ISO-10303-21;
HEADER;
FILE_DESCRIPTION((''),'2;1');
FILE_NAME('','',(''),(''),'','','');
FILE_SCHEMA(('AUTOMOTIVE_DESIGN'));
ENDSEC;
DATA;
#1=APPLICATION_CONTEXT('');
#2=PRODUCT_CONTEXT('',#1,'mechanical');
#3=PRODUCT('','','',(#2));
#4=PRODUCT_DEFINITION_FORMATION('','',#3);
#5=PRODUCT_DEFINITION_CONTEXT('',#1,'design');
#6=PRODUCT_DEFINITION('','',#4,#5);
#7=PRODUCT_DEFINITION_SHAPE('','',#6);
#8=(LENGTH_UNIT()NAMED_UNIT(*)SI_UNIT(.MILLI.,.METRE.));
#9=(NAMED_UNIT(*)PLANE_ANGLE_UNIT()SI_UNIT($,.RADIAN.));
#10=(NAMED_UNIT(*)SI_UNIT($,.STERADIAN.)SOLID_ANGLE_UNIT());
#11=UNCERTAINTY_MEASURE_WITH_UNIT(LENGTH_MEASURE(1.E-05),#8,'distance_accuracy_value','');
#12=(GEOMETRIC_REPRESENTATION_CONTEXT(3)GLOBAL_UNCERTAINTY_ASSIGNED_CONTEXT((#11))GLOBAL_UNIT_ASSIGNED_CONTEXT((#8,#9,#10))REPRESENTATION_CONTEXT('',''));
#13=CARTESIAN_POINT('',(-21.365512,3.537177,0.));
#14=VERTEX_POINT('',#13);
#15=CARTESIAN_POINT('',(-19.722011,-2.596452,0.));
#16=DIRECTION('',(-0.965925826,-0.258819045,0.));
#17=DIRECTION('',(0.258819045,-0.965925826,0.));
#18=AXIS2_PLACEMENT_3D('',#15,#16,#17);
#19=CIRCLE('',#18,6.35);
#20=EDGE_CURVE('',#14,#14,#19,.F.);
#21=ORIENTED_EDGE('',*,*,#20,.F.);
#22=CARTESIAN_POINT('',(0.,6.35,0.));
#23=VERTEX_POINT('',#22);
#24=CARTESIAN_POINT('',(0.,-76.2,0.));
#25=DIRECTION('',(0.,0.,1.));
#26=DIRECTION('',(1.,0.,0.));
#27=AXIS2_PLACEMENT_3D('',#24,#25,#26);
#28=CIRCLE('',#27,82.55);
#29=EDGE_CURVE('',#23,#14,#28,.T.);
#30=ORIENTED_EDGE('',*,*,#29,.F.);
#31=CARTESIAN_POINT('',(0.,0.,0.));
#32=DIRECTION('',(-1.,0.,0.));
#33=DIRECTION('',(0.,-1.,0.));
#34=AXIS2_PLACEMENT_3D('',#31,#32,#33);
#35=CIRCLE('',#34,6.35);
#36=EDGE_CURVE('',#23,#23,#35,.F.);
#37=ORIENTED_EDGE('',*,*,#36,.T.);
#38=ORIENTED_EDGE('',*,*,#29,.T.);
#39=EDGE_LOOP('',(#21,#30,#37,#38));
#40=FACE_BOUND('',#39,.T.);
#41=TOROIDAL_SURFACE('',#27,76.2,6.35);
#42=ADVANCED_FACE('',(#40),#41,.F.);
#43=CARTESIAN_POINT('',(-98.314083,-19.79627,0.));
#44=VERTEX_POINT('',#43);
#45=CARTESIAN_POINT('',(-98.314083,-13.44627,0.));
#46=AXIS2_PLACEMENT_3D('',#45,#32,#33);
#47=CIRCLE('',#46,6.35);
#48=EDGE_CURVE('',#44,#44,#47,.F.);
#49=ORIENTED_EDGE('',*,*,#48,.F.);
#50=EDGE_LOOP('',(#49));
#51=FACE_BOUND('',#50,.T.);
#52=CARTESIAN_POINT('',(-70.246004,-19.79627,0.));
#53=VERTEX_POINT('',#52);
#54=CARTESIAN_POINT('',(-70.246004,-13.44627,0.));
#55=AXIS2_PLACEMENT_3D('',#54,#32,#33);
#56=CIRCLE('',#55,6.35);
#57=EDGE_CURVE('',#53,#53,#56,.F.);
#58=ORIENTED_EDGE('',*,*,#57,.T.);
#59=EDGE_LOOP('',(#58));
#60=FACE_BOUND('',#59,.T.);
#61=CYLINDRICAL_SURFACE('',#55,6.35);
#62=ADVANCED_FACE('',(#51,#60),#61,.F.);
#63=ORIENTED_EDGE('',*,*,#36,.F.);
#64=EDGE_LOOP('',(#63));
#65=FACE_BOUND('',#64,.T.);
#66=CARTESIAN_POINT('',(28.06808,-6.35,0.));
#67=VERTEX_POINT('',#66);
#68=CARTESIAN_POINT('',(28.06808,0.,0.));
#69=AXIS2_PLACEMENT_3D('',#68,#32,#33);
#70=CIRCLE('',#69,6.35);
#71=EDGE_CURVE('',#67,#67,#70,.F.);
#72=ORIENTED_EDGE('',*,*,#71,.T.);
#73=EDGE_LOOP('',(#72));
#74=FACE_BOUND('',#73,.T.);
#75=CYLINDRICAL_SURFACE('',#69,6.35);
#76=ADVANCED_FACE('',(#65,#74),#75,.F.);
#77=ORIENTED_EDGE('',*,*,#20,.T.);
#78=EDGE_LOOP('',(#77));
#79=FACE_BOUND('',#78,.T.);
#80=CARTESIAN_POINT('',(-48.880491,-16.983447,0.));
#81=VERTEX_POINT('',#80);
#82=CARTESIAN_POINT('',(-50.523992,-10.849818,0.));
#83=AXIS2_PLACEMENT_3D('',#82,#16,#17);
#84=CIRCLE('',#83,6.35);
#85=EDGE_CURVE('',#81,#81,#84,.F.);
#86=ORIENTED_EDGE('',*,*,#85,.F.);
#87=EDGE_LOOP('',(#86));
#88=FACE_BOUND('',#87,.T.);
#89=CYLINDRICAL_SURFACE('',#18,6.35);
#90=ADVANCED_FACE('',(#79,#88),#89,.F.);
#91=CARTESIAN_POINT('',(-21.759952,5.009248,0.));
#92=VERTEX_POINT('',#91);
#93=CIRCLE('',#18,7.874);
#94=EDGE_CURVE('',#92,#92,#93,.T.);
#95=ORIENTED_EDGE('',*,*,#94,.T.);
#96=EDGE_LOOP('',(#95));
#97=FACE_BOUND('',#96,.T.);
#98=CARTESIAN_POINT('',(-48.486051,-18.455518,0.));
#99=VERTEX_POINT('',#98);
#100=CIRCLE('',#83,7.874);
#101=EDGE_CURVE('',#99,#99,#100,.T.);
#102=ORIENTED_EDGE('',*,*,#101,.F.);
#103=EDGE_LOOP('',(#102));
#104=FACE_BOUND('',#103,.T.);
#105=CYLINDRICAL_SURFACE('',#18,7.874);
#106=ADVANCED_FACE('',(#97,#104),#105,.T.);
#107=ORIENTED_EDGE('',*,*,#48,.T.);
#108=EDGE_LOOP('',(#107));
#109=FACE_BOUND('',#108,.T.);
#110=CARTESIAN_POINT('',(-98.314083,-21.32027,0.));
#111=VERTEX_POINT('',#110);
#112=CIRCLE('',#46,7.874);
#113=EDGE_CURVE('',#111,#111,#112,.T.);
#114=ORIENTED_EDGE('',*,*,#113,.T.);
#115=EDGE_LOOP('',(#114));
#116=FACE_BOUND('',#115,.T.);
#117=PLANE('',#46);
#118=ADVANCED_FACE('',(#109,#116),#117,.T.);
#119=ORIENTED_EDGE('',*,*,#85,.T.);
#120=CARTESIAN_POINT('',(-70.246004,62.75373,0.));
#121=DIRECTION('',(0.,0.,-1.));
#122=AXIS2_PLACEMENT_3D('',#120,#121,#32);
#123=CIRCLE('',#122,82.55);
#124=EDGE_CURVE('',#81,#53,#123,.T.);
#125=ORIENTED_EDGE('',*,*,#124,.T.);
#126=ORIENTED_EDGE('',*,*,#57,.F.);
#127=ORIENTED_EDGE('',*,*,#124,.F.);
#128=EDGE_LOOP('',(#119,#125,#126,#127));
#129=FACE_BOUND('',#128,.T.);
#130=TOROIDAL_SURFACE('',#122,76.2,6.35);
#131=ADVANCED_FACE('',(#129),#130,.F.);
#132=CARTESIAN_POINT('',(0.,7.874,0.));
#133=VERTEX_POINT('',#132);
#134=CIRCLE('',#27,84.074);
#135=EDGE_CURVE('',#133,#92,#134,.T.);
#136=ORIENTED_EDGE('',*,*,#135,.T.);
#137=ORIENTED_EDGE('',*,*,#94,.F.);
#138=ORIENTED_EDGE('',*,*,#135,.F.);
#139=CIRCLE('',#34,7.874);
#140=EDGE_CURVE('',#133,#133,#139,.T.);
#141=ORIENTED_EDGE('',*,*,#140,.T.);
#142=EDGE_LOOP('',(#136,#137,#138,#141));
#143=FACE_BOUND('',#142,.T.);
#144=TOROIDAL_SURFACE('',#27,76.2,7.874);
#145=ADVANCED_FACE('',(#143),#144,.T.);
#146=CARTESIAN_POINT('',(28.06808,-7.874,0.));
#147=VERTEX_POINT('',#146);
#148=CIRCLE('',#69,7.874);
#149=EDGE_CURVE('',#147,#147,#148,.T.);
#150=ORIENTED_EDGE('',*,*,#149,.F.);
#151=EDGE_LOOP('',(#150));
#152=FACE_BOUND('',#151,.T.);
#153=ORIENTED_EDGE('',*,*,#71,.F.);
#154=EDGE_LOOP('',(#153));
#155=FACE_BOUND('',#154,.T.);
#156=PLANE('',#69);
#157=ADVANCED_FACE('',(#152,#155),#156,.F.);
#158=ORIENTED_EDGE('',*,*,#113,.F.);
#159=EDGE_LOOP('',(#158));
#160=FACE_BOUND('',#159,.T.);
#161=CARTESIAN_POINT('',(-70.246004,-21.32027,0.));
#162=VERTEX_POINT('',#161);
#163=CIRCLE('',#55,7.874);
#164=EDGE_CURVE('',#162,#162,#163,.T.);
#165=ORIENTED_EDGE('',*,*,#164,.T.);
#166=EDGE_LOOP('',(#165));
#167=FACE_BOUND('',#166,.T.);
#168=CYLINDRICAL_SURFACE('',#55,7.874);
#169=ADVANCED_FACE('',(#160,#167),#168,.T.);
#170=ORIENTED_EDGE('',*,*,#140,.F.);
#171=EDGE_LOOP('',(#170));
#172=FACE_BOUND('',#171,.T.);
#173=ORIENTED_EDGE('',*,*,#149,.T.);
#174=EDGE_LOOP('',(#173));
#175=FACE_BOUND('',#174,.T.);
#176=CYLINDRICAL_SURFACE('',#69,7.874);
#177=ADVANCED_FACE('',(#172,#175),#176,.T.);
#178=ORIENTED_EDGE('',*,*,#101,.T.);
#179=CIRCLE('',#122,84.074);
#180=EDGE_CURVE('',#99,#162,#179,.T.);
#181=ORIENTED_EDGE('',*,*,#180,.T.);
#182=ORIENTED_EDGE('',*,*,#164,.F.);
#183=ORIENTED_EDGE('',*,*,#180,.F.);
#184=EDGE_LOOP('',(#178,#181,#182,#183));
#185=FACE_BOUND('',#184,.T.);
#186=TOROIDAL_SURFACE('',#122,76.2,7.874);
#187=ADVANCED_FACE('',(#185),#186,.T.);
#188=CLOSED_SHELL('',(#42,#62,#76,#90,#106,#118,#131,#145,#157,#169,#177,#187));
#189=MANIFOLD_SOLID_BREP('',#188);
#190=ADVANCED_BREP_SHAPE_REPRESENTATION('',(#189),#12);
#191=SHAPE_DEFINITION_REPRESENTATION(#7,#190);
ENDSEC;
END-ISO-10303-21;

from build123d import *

# Parameters (mm, degrees)
SKETCH2_R   = 7.874
SKETCH2_R_2 = 6.35


with BuildPart() as part:
    # Sweep1: sweep along a path in Sketch1
    with BuildLine(Plane.XY) as sweep1_path:
        Line((28.068079684, 0), (0, 0))
        ThreePointArc((0, 0), (-9.946095847, -0.651901563), (-19.722011237, -2.596452037))
        Line((-19.722011237, -2.596452037), (-50.523992361, -10.849818004))
        ThreePointArc((-50.523992361, -10.849818004), (-60.299907751, -12.794368478), (-70.246003598, -13.446270041))
        Line((-70.246003598, -13.446270041), (-98.314083282, -13.446270041))
    # Sketch2 → Sweep1 (sweep)
    with BuildSketch(Plane.ZY.offset(-28.068079684)):
        Circle(SKETCH2_R)
        Circle(SKETCH2_R_2, mode=Mode.SUBTRACT)
    sweep(path=sweep1_path.line)


solid = part.part
